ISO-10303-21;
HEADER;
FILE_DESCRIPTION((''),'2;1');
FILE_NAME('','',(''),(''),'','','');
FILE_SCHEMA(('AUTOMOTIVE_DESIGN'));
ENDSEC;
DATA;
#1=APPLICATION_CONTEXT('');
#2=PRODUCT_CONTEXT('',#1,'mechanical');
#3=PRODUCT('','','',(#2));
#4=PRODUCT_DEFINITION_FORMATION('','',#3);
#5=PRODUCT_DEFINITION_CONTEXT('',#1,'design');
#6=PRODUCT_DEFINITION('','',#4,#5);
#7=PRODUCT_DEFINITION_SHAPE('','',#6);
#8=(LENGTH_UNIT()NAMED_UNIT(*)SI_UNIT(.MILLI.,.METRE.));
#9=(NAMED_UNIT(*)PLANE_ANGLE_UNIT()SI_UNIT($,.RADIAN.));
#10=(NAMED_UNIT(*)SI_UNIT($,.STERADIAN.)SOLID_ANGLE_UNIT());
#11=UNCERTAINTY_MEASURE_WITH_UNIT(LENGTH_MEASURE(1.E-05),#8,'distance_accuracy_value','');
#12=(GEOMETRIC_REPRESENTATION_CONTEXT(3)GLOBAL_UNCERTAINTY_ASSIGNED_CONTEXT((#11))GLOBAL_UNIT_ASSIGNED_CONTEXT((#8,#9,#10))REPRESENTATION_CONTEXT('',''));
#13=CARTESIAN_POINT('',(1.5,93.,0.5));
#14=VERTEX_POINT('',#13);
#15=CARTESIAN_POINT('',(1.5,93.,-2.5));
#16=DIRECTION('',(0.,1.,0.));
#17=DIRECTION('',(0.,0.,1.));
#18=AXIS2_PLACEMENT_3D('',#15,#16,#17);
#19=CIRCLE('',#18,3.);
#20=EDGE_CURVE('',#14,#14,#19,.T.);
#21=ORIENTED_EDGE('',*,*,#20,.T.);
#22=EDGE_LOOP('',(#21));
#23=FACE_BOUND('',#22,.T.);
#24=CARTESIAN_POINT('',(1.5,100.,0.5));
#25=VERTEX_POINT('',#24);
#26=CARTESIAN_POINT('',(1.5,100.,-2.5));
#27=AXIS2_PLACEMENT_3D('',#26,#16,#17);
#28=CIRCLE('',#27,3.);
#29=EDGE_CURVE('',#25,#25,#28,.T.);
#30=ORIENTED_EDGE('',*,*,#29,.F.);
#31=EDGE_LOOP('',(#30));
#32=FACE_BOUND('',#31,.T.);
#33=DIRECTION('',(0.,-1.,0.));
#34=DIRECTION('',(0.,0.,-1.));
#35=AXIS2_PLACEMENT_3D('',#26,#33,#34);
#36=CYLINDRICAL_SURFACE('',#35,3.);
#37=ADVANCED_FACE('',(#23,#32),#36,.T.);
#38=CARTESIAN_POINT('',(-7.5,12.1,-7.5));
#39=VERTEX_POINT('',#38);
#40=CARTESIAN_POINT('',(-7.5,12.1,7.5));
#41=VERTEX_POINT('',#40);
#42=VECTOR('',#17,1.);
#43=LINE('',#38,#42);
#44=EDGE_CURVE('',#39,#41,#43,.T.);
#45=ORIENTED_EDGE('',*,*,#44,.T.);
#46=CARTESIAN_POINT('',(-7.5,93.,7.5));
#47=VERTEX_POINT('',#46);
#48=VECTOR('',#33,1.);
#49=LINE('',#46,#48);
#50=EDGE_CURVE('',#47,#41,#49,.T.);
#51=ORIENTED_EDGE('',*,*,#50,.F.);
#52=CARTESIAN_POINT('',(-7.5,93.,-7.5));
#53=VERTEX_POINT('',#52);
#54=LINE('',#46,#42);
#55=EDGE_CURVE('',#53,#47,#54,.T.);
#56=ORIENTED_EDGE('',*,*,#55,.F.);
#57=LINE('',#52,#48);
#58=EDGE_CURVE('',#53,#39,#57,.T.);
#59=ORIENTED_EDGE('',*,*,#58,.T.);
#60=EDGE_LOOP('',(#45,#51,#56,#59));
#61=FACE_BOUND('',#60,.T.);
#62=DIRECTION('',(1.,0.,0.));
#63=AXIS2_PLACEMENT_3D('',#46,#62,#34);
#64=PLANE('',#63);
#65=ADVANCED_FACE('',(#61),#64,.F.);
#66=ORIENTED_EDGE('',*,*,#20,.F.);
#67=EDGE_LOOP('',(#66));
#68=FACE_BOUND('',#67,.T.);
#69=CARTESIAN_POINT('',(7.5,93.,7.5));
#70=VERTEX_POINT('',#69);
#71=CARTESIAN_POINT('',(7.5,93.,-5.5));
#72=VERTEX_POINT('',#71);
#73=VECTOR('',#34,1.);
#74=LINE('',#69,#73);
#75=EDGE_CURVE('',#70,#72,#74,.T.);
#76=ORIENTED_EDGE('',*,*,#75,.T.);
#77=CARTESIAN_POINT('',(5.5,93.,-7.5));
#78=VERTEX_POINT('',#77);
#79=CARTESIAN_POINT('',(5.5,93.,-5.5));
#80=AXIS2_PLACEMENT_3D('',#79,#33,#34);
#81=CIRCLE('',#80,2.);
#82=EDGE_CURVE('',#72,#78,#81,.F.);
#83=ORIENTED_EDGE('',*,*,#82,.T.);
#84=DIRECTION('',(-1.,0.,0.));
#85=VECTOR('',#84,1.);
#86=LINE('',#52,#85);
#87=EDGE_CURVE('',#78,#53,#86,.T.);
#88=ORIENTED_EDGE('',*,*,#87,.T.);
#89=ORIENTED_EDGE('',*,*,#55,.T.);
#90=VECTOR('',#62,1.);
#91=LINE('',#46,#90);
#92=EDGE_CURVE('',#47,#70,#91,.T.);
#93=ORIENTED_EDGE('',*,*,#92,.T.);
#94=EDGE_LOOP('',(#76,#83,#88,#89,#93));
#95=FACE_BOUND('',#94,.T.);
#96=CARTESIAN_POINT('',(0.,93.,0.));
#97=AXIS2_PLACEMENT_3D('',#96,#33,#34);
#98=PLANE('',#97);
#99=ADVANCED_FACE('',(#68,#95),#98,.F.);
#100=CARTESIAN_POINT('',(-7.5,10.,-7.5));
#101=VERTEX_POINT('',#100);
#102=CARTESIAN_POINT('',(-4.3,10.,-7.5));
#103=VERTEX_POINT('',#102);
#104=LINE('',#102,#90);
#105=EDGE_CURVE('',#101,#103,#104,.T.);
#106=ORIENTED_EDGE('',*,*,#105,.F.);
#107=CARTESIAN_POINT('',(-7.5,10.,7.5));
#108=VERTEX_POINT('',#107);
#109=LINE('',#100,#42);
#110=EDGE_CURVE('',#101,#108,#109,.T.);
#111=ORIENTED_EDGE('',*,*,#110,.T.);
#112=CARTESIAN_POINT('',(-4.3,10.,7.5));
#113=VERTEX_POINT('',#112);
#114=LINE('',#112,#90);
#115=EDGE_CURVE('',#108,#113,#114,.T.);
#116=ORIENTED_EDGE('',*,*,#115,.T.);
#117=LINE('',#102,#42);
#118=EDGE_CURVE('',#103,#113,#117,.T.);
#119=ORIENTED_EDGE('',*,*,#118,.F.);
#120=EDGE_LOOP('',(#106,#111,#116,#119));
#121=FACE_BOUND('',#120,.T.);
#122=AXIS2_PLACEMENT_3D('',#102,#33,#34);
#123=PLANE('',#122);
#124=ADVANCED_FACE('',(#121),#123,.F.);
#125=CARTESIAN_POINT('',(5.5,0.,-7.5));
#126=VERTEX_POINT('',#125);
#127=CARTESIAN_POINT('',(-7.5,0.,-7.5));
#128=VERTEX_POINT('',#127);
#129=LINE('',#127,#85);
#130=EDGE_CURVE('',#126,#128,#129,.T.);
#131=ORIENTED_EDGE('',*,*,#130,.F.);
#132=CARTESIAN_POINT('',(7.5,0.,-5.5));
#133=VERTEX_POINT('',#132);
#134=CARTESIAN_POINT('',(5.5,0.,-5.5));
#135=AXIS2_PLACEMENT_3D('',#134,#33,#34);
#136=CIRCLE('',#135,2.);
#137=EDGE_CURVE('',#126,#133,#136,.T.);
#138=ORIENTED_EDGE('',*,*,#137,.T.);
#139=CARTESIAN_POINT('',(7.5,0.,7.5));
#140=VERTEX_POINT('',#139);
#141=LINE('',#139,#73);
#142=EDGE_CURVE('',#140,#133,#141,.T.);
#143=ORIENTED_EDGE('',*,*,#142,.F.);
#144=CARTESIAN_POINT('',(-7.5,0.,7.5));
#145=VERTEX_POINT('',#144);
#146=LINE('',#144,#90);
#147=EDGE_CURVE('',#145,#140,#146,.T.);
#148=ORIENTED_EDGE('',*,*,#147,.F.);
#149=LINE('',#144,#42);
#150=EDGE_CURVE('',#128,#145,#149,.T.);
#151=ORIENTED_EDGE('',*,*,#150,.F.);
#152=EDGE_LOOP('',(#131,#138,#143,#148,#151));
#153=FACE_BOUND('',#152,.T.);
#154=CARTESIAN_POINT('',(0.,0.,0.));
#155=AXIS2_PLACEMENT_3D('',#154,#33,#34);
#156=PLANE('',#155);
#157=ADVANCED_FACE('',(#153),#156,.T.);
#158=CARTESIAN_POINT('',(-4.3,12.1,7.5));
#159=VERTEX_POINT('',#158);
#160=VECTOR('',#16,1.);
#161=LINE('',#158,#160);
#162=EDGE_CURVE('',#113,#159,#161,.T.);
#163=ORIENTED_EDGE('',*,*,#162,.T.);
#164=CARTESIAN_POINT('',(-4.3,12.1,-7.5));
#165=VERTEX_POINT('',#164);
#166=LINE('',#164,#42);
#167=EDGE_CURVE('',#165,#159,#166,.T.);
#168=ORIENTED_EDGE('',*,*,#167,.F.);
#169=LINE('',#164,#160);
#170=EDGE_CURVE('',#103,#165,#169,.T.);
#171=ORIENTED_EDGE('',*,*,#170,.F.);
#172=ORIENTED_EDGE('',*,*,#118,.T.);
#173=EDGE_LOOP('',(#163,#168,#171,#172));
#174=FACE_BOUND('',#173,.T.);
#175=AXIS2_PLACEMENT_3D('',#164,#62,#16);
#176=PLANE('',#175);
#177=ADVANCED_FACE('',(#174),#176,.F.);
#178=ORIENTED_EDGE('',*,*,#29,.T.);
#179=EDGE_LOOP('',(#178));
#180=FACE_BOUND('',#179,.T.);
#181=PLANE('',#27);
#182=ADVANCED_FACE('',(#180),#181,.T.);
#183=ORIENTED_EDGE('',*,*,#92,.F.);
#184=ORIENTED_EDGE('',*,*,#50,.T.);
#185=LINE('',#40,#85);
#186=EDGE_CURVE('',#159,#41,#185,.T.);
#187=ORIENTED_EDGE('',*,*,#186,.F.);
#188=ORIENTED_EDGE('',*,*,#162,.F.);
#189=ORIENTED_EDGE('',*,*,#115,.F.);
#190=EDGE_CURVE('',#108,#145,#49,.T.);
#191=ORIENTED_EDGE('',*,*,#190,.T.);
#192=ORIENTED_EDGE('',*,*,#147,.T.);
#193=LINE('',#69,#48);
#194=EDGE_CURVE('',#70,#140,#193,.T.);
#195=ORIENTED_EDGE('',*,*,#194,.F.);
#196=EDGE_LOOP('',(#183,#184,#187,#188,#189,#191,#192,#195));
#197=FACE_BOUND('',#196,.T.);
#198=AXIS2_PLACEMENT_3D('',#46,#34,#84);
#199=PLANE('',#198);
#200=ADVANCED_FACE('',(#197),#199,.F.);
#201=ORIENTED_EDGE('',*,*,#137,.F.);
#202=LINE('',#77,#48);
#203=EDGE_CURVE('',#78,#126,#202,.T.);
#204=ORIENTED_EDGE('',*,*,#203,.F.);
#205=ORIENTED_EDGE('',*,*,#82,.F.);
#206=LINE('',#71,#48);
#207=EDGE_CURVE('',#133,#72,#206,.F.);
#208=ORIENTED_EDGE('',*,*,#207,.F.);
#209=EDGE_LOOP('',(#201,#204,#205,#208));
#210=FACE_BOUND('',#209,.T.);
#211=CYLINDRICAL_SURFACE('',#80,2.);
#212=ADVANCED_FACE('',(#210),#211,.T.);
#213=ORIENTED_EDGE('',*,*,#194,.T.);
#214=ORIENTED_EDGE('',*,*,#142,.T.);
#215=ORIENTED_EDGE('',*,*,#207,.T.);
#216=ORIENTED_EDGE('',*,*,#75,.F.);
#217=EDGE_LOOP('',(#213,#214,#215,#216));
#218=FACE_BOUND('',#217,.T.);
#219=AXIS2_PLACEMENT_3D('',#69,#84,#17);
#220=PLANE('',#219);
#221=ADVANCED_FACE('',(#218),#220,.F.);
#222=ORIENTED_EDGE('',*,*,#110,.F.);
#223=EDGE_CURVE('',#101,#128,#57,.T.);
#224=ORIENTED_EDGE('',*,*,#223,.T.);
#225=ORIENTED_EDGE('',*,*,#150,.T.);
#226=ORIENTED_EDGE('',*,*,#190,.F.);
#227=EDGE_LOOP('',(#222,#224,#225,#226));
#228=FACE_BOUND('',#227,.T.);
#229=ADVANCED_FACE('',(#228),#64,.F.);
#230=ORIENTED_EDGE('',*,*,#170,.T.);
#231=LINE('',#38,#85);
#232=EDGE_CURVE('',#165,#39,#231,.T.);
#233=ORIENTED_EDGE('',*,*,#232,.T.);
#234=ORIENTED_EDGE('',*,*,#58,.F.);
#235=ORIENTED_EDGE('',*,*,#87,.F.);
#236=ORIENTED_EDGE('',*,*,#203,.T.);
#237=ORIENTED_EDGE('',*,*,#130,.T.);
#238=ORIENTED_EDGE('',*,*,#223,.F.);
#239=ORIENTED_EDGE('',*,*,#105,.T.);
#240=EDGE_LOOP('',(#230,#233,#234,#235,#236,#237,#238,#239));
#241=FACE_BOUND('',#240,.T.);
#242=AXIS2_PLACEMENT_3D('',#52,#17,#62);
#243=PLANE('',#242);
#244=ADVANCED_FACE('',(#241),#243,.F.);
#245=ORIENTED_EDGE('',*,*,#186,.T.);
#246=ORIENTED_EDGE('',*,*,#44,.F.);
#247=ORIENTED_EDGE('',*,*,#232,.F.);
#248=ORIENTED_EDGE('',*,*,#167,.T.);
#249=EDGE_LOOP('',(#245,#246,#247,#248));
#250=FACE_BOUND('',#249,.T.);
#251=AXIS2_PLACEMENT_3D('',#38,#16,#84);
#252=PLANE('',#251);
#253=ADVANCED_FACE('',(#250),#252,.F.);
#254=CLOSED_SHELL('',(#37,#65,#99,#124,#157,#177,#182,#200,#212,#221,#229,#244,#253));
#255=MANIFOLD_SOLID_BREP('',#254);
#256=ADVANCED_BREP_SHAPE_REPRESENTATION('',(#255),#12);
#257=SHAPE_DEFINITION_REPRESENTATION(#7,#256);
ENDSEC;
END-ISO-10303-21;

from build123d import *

# Parameters (mm, degrees)
SKETCH1_W           = 15
SKETCH1_H           = 15
BOSS_EXTRUDE1_DEPTH = 93
SKETCH2_R           = 3
BOSS_EXTRUDE2_DEPTH = 7
SKETCH3_W           = 3.2
SKETCH3_H           = 2.1
CUT_EXTRUDE1_DEPTH  = 102.396498953
FILLET1_R           = 2


with BuildPart() as part:
    # Sketch1 → Boss-Extrude1 (new body)
    with BuildSketch(Plane(origin=(0, 0, 0), x_dir=(1, 0, 0), z_dir=(0, 1, 0))):
        Rectangle(SKETCH1_W, SKETCH1_H)
    extrude(amount=BOSS_EXTRUDE1_DEPTH)

    # Sketch2 → Boss-Extrude2 (add)
    with BuildSketch(Plane(origin=(0, 93, 0), x_dir=(1, 0, 0), z_dir=(0, 1, 0))):
        with Locations(Location((1.5, 2.5, 0), (0, 0, 270))):
            Circle(SKETCH2_R)
    extrude(amount=BOSS_EXTRUDE2_DEPTH)

    # Sketch3 → Cut-Extrude1 (cut, through all)
    with BuildSketch(Plane.XY.offset(7.5)):
        with Locations((-5.9, 11.05)):
            Rectangle(SKETCH3_W, SKETCH3_H)
    extrude(amount=-CUT_EXTRUDE1_DEPTH, mode=Mode.SUBTRACT)

    # Fillet1
    fillet1_edges = [part.edges().sort_by_distance(p)[0] for p in [
        (7.5, 46.5, -7.5),
    ]]
    fillet(fillet1_edges, radius=FILLET1_R)


solid = part.part
